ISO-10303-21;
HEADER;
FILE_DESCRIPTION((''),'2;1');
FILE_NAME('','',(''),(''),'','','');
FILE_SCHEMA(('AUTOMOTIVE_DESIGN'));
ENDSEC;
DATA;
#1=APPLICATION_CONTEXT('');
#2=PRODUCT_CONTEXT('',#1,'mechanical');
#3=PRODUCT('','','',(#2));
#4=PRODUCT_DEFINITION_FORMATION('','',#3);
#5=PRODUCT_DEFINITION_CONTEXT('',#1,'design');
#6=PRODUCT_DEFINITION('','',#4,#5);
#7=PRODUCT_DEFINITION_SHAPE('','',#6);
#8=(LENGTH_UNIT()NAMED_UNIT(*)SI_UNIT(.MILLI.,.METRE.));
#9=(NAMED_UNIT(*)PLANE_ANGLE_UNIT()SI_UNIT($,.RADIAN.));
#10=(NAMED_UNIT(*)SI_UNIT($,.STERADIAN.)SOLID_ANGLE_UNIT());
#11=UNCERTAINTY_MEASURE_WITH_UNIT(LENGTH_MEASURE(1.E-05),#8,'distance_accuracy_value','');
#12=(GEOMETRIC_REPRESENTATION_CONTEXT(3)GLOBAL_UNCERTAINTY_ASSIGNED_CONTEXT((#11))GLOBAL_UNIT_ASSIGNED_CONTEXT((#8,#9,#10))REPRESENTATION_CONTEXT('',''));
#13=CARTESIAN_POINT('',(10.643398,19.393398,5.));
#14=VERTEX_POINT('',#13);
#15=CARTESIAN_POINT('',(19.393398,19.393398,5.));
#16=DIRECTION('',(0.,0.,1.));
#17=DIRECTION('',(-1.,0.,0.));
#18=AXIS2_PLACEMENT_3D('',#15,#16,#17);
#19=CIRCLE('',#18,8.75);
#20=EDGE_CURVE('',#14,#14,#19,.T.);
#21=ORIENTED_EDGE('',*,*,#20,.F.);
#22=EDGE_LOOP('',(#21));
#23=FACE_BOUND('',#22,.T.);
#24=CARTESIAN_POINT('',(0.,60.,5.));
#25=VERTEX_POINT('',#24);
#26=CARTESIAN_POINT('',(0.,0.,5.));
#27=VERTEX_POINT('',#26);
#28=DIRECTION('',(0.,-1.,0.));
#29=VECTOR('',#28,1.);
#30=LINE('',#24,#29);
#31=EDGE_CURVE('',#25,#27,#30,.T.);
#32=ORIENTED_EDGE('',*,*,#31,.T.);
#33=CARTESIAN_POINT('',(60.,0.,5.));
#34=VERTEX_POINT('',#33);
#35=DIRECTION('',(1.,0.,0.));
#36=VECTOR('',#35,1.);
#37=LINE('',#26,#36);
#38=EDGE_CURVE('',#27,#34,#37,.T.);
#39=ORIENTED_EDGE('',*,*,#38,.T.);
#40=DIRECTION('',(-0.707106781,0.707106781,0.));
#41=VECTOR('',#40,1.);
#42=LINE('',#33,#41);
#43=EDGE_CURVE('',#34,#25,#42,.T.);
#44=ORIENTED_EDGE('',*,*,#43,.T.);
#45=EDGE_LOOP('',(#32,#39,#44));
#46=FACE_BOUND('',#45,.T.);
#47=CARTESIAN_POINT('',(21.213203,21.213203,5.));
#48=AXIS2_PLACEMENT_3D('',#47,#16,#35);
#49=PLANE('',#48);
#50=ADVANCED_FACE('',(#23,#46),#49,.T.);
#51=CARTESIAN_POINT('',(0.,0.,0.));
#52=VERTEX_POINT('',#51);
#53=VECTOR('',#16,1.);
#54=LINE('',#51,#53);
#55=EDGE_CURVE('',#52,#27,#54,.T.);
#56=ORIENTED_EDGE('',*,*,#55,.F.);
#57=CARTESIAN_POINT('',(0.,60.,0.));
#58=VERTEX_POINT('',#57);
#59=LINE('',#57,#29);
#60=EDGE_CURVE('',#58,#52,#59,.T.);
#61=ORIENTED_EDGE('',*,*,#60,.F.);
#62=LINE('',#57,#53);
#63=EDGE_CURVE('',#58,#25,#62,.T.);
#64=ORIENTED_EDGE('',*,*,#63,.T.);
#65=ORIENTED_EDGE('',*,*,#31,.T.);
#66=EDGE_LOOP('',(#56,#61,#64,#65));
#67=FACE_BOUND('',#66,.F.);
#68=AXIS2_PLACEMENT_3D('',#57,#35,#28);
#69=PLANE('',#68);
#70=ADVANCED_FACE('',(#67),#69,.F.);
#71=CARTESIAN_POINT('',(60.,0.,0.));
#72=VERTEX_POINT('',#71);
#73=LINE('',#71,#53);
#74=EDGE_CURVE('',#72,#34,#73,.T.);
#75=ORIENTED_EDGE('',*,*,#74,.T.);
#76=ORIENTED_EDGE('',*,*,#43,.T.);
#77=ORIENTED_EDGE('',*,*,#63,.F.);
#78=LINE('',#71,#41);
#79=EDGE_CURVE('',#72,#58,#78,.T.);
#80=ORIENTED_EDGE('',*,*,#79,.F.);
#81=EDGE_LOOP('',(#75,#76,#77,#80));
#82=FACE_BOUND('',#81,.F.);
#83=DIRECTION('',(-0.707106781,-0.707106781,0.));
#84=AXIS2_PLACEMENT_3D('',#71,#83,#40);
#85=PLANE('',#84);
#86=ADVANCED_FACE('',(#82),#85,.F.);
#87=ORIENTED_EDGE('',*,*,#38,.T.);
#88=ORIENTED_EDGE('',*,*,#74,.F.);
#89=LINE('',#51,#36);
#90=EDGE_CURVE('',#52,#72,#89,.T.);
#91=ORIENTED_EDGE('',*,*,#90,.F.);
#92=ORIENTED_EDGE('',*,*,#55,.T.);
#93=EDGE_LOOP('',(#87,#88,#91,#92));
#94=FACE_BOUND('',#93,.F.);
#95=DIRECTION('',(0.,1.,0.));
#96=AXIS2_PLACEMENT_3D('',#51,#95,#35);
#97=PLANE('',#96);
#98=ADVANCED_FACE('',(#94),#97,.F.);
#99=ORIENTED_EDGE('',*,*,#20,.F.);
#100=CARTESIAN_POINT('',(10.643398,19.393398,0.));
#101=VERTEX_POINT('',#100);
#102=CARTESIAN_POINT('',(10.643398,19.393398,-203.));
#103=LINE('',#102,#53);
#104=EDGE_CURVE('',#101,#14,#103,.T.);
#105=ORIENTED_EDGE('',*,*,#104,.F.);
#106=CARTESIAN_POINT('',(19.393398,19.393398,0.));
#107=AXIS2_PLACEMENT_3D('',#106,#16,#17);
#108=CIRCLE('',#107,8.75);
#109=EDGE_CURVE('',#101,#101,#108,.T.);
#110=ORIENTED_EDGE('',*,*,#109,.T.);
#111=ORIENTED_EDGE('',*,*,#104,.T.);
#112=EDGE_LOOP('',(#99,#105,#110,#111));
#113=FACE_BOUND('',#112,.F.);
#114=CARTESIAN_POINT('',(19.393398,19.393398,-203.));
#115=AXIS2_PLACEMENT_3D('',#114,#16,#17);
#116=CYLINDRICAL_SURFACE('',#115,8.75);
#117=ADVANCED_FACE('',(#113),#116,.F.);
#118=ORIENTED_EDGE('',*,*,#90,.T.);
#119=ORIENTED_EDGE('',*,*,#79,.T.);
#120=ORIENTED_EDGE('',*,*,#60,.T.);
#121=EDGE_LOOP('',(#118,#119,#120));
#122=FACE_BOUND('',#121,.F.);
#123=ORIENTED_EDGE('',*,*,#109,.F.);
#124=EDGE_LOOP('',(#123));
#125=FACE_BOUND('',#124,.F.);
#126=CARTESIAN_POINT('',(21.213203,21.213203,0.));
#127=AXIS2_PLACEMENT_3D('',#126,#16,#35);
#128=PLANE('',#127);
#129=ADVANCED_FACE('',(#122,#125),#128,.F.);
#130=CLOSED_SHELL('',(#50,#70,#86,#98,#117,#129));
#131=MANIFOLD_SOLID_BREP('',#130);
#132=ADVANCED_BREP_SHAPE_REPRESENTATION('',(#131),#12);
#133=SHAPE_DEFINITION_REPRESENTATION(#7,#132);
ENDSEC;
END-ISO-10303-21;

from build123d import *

# Parameters (mm, degrees)
F1_DEPTH = 5
F2_D     = 17.5
F2_DEPTH = 203
F2_TIP   = 5.2575304165


with BuildPart() as f1:
    # F0 (on Top) → F1 (new body)
    with BuildSketch(Plane.XY):
        Polygon((0, 60), (0, 0), (60, 0), (30, 30), align=None)
        with BuildLine():
            ThreePointArc((22.8933982822, 19.3933982822), (16.1598199184, 18.0540062689), (21.8682720164, 21.8682720164))
            ThreePointArc((21.8682720164, 21.8682720164), (22.626976646, 20.7327902955), (22.8933982822, 19.3933982822))
        make_face(mode=Mode.SUBTRACT)
    extrude(amount=F1_DEPTH)

    # F2
    with Locations(Plane(origin=(0, 0, 0), x_dir=(1, 0, 0), z_dir=(0, 0, -1))):
        with Locations((19.3933982822, -19.3933982822)):
            Hole(F2_D / 2, depth=F2_DEPTH)
            with Locations((0, 0, -(F2_DEPTH + F2_TIP / 2))):  # 118° drill point
                Cone(0, F2_D / 2, F2_TIP, mode=Mode.SUBTRACT)


solid = f1.part
